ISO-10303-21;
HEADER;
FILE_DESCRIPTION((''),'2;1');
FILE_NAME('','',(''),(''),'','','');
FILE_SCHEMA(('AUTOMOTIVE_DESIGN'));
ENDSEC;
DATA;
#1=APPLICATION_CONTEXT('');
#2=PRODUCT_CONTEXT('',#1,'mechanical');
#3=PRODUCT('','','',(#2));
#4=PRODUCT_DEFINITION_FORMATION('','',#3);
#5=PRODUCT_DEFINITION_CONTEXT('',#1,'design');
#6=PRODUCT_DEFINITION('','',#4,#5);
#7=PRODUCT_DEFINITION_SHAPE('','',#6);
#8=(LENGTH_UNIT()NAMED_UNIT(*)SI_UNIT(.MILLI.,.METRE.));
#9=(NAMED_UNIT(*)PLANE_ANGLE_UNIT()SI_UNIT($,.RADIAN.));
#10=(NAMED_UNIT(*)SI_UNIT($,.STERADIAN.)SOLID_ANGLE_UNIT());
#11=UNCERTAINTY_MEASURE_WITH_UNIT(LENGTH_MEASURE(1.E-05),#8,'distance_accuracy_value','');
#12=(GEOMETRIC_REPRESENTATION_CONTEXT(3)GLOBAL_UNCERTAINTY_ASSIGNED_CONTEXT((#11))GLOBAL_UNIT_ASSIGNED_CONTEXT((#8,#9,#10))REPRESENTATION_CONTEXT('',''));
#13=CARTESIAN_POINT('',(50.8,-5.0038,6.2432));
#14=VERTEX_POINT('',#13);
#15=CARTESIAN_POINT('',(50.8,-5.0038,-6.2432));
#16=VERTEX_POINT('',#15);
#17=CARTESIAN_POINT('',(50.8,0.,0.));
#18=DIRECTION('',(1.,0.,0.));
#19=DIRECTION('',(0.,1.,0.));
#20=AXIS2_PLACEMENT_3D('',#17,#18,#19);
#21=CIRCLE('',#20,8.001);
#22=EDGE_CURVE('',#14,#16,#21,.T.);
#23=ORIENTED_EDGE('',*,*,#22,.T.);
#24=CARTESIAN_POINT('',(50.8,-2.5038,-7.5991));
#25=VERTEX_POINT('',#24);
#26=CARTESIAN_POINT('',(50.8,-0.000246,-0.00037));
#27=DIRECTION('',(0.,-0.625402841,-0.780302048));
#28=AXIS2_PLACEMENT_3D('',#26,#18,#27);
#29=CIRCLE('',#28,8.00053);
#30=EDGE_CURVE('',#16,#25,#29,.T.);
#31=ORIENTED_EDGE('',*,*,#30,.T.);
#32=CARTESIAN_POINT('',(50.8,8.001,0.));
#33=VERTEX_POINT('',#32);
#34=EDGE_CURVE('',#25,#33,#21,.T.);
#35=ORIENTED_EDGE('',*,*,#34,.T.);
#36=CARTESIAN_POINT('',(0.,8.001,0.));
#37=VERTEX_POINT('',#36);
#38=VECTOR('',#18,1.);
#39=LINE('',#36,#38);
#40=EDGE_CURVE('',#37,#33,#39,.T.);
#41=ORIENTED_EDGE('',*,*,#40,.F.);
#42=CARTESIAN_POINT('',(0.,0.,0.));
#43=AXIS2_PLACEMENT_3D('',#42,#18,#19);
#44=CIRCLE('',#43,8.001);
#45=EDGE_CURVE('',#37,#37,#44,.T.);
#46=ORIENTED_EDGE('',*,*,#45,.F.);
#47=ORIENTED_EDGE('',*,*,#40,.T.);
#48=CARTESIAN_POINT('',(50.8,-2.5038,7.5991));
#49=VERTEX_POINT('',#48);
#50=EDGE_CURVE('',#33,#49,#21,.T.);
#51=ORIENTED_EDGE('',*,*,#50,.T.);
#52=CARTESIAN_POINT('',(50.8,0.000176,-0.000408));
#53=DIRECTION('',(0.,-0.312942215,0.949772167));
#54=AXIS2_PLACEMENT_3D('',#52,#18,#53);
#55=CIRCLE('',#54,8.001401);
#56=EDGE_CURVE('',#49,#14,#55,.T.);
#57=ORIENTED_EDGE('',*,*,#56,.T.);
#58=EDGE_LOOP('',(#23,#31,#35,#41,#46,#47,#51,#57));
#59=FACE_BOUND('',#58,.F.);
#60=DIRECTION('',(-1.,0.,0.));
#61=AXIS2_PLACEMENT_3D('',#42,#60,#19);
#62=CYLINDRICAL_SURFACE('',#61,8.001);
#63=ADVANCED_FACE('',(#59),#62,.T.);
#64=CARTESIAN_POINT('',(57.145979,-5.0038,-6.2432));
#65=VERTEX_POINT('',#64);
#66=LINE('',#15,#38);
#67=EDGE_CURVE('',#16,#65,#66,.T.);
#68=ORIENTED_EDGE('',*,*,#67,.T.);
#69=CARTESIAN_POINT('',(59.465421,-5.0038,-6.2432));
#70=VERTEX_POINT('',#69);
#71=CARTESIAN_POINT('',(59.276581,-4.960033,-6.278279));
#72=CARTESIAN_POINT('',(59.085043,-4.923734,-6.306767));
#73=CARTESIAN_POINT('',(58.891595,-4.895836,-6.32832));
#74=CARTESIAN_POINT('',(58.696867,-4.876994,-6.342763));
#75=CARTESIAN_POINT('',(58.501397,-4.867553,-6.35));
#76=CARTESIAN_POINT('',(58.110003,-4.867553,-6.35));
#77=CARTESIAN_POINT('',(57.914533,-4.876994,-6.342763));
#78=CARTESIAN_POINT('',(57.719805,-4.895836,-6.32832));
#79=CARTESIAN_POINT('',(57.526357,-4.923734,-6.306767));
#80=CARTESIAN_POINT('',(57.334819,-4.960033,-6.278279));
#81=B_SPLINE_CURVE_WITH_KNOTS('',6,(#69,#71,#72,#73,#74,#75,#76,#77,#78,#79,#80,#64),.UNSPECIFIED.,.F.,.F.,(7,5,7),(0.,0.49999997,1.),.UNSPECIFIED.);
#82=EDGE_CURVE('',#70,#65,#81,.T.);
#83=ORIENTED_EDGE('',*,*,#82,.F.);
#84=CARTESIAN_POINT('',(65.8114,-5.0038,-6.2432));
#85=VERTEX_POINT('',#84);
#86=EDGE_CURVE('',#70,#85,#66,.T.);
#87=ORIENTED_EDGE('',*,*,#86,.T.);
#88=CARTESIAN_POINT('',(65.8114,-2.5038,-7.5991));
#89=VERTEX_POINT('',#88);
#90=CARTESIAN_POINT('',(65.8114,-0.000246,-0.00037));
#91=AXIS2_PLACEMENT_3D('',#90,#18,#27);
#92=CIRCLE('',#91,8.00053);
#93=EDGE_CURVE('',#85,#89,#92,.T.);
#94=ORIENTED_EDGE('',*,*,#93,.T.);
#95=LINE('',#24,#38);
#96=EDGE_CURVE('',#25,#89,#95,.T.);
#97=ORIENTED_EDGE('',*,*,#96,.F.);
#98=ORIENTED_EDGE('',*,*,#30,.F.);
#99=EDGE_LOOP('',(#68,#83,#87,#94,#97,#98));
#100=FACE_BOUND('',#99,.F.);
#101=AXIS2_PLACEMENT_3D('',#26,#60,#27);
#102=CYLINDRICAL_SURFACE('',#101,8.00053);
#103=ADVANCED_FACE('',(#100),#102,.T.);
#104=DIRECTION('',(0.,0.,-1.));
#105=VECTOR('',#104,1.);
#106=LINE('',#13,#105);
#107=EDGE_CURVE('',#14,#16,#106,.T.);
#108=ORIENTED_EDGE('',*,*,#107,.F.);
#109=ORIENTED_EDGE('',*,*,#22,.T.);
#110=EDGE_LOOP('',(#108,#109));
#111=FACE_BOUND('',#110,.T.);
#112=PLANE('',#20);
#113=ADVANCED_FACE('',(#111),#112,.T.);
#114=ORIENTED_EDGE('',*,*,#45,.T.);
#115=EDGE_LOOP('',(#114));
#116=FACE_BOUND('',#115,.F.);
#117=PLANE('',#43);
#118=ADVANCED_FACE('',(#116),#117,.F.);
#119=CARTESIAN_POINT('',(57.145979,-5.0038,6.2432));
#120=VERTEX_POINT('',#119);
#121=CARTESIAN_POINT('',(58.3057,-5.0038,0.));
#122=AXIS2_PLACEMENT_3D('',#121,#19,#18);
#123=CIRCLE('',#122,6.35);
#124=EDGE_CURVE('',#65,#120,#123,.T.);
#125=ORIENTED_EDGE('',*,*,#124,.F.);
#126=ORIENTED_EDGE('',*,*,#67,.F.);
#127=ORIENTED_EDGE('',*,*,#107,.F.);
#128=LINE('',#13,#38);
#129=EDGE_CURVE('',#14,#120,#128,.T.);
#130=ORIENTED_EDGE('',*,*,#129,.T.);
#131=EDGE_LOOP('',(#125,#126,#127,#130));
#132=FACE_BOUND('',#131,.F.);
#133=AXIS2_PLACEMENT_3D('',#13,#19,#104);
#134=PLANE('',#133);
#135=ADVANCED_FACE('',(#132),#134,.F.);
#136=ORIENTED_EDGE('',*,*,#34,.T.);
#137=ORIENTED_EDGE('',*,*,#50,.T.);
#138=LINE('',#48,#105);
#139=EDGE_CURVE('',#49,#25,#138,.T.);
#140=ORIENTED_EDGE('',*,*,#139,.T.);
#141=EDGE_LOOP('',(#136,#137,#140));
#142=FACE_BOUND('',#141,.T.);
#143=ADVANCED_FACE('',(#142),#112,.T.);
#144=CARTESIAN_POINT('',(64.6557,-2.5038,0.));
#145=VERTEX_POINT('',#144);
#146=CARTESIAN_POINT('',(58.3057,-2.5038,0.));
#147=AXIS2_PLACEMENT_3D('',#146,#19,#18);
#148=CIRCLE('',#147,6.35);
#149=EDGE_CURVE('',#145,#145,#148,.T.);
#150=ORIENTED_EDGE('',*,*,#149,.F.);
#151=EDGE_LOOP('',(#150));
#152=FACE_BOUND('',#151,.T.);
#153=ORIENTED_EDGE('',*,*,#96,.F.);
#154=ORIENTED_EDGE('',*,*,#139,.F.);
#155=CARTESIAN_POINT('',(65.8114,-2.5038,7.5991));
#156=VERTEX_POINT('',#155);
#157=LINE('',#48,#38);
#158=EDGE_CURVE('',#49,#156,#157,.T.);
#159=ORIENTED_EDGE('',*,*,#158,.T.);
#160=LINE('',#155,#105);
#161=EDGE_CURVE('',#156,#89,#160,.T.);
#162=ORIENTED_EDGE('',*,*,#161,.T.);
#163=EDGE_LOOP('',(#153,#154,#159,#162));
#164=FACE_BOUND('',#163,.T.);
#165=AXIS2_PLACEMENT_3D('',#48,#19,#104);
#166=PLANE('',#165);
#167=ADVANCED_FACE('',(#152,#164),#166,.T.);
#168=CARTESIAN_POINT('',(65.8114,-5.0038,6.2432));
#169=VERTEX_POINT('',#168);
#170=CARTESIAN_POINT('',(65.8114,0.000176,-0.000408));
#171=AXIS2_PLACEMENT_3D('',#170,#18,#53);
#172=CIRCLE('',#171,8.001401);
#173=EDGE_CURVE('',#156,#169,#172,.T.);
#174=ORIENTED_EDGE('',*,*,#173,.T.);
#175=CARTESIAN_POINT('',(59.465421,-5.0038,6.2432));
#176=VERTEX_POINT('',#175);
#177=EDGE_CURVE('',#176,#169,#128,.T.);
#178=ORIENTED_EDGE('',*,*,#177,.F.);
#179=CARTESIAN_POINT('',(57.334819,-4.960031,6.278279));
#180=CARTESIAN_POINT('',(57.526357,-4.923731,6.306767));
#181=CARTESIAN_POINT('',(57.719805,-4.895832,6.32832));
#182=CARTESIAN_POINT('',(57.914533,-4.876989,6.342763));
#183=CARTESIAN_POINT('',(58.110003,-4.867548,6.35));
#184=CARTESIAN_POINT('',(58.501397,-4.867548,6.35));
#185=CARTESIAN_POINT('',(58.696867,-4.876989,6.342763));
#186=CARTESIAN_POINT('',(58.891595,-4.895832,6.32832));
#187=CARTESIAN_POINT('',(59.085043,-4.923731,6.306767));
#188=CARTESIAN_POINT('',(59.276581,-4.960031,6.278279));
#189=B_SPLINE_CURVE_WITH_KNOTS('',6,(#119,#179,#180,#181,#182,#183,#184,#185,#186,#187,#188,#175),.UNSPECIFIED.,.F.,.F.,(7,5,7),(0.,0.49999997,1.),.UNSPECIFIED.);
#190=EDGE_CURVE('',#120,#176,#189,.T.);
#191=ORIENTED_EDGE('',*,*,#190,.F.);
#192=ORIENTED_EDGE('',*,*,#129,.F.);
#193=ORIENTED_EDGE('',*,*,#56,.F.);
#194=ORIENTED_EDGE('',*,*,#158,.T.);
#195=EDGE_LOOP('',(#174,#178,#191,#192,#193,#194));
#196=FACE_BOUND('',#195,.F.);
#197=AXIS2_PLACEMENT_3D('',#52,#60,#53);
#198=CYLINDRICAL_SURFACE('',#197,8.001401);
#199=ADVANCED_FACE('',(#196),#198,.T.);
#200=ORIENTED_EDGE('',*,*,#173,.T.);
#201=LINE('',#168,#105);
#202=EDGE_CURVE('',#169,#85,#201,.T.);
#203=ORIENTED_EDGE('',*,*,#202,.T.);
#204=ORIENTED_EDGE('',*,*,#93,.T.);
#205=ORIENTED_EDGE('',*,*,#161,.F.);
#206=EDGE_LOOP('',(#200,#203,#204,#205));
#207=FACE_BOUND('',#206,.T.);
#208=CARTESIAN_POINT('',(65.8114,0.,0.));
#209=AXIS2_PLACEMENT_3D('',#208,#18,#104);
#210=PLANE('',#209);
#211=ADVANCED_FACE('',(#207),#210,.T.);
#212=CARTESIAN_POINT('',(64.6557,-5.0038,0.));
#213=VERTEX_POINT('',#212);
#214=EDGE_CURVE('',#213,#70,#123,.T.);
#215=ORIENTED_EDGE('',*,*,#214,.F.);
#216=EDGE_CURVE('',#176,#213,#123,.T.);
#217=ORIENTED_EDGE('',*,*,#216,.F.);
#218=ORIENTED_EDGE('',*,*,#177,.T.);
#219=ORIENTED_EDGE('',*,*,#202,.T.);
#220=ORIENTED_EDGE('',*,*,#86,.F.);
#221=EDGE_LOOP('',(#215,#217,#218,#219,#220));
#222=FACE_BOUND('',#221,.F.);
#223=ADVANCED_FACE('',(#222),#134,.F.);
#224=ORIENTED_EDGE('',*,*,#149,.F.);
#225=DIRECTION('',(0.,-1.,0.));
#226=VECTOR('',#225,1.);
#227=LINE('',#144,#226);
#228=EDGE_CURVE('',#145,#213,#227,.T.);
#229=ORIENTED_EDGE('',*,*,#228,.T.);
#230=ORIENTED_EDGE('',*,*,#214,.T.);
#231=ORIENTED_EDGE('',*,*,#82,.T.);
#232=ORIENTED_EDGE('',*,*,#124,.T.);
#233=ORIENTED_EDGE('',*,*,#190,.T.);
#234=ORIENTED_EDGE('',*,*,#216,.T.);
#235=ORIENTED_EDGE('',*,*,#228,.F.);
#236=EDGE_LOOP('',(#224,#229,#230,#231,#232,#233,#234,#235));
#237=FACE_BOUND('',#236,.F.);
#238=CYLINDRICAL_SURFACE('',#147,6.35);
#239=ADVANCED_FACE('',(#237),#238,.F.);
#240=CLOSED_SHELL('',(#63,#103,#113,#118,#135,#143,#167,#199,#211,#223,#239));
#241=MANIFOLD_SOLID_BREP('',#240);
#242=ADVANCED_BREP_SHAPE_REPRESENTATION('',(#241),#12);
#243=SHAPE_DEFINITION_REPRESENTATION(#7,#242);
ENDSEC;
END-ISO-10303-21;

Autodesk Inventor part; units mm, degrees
ref_plane "YZ Plane" through (0, 0, 0) normal (1, 0, 0) x (0, 1, 0)
ref_plane "XZ Plane" through (0, 0, 0) normal (0, 1, 0) x (-1, 0, 0)
ref_plane "XY Plane" through (0, 0, 0) normal (0, 0, 1) x (1, 0, 0)
sketch "Sketch1" plane through (0, 0, 0) normal (1, 0, 0) x (0, 1, 0)
  circle A0 centre (0, 0) radius 8.001
  dimension "d0" = 16.002
extrude "Extrusion1" add sketch "Sketch1" along normal blind 50.8
sketch "Sketch2" plane through (50.8, 0, 0) normal (1, 0, 0) x (0, 0, -1)
  line L0 (-6.2432, -5.0038) -> (6.2432, -5.0038)
  line L1 (-7.5991, -2.5038) -> (7.5991, -2.5038)
  arc A0 (6.2432, -5.0038) -> (7.5991, -2.5038) centre (0, 0) ccw
  arc A1 (-7.5991, -2.5038) -> (-6.2432, -5.0038) centre (0, 0) ccw
  circle A2 centre (0, 0) radius 8.001 projected
  point P0 (7.0332, -3.8145)
  point P1 (-7.0332, -3.8145)
  dimension "d3" = 5.0038
  dimension "d4" = 2.5
extrude "Extrusion2" add sketch "Sketch2" along normal blind 15.0114 contours A1 L1 A0 L0
sketch "Sketch3" plane through (50.8, -2.5038, 7.5991) normal (0, 1, 0) x (1, 0, 0)
  circle A0 centre (7.5057, 7.5991) radius 6.35
  line L0 (0, 15.1983) -> (15.0114, 15.1983) projected
  line L1 (0, 0) -> (15.0114, 0) projected
  point P0 (-50.8, 7.5991)
  point P1 (7.5057, 15.1983)
  dimension "d8" = 12.7
  dimension "d9" = 7.5991
  dimension "d10" = 15.1983
extrude "Extrusion3" cut sketch "Sketch3" against normal blind 15.0114
equation "\"d9\" = 0.5 * d10"
properties part number "Ring Connector model 3"
